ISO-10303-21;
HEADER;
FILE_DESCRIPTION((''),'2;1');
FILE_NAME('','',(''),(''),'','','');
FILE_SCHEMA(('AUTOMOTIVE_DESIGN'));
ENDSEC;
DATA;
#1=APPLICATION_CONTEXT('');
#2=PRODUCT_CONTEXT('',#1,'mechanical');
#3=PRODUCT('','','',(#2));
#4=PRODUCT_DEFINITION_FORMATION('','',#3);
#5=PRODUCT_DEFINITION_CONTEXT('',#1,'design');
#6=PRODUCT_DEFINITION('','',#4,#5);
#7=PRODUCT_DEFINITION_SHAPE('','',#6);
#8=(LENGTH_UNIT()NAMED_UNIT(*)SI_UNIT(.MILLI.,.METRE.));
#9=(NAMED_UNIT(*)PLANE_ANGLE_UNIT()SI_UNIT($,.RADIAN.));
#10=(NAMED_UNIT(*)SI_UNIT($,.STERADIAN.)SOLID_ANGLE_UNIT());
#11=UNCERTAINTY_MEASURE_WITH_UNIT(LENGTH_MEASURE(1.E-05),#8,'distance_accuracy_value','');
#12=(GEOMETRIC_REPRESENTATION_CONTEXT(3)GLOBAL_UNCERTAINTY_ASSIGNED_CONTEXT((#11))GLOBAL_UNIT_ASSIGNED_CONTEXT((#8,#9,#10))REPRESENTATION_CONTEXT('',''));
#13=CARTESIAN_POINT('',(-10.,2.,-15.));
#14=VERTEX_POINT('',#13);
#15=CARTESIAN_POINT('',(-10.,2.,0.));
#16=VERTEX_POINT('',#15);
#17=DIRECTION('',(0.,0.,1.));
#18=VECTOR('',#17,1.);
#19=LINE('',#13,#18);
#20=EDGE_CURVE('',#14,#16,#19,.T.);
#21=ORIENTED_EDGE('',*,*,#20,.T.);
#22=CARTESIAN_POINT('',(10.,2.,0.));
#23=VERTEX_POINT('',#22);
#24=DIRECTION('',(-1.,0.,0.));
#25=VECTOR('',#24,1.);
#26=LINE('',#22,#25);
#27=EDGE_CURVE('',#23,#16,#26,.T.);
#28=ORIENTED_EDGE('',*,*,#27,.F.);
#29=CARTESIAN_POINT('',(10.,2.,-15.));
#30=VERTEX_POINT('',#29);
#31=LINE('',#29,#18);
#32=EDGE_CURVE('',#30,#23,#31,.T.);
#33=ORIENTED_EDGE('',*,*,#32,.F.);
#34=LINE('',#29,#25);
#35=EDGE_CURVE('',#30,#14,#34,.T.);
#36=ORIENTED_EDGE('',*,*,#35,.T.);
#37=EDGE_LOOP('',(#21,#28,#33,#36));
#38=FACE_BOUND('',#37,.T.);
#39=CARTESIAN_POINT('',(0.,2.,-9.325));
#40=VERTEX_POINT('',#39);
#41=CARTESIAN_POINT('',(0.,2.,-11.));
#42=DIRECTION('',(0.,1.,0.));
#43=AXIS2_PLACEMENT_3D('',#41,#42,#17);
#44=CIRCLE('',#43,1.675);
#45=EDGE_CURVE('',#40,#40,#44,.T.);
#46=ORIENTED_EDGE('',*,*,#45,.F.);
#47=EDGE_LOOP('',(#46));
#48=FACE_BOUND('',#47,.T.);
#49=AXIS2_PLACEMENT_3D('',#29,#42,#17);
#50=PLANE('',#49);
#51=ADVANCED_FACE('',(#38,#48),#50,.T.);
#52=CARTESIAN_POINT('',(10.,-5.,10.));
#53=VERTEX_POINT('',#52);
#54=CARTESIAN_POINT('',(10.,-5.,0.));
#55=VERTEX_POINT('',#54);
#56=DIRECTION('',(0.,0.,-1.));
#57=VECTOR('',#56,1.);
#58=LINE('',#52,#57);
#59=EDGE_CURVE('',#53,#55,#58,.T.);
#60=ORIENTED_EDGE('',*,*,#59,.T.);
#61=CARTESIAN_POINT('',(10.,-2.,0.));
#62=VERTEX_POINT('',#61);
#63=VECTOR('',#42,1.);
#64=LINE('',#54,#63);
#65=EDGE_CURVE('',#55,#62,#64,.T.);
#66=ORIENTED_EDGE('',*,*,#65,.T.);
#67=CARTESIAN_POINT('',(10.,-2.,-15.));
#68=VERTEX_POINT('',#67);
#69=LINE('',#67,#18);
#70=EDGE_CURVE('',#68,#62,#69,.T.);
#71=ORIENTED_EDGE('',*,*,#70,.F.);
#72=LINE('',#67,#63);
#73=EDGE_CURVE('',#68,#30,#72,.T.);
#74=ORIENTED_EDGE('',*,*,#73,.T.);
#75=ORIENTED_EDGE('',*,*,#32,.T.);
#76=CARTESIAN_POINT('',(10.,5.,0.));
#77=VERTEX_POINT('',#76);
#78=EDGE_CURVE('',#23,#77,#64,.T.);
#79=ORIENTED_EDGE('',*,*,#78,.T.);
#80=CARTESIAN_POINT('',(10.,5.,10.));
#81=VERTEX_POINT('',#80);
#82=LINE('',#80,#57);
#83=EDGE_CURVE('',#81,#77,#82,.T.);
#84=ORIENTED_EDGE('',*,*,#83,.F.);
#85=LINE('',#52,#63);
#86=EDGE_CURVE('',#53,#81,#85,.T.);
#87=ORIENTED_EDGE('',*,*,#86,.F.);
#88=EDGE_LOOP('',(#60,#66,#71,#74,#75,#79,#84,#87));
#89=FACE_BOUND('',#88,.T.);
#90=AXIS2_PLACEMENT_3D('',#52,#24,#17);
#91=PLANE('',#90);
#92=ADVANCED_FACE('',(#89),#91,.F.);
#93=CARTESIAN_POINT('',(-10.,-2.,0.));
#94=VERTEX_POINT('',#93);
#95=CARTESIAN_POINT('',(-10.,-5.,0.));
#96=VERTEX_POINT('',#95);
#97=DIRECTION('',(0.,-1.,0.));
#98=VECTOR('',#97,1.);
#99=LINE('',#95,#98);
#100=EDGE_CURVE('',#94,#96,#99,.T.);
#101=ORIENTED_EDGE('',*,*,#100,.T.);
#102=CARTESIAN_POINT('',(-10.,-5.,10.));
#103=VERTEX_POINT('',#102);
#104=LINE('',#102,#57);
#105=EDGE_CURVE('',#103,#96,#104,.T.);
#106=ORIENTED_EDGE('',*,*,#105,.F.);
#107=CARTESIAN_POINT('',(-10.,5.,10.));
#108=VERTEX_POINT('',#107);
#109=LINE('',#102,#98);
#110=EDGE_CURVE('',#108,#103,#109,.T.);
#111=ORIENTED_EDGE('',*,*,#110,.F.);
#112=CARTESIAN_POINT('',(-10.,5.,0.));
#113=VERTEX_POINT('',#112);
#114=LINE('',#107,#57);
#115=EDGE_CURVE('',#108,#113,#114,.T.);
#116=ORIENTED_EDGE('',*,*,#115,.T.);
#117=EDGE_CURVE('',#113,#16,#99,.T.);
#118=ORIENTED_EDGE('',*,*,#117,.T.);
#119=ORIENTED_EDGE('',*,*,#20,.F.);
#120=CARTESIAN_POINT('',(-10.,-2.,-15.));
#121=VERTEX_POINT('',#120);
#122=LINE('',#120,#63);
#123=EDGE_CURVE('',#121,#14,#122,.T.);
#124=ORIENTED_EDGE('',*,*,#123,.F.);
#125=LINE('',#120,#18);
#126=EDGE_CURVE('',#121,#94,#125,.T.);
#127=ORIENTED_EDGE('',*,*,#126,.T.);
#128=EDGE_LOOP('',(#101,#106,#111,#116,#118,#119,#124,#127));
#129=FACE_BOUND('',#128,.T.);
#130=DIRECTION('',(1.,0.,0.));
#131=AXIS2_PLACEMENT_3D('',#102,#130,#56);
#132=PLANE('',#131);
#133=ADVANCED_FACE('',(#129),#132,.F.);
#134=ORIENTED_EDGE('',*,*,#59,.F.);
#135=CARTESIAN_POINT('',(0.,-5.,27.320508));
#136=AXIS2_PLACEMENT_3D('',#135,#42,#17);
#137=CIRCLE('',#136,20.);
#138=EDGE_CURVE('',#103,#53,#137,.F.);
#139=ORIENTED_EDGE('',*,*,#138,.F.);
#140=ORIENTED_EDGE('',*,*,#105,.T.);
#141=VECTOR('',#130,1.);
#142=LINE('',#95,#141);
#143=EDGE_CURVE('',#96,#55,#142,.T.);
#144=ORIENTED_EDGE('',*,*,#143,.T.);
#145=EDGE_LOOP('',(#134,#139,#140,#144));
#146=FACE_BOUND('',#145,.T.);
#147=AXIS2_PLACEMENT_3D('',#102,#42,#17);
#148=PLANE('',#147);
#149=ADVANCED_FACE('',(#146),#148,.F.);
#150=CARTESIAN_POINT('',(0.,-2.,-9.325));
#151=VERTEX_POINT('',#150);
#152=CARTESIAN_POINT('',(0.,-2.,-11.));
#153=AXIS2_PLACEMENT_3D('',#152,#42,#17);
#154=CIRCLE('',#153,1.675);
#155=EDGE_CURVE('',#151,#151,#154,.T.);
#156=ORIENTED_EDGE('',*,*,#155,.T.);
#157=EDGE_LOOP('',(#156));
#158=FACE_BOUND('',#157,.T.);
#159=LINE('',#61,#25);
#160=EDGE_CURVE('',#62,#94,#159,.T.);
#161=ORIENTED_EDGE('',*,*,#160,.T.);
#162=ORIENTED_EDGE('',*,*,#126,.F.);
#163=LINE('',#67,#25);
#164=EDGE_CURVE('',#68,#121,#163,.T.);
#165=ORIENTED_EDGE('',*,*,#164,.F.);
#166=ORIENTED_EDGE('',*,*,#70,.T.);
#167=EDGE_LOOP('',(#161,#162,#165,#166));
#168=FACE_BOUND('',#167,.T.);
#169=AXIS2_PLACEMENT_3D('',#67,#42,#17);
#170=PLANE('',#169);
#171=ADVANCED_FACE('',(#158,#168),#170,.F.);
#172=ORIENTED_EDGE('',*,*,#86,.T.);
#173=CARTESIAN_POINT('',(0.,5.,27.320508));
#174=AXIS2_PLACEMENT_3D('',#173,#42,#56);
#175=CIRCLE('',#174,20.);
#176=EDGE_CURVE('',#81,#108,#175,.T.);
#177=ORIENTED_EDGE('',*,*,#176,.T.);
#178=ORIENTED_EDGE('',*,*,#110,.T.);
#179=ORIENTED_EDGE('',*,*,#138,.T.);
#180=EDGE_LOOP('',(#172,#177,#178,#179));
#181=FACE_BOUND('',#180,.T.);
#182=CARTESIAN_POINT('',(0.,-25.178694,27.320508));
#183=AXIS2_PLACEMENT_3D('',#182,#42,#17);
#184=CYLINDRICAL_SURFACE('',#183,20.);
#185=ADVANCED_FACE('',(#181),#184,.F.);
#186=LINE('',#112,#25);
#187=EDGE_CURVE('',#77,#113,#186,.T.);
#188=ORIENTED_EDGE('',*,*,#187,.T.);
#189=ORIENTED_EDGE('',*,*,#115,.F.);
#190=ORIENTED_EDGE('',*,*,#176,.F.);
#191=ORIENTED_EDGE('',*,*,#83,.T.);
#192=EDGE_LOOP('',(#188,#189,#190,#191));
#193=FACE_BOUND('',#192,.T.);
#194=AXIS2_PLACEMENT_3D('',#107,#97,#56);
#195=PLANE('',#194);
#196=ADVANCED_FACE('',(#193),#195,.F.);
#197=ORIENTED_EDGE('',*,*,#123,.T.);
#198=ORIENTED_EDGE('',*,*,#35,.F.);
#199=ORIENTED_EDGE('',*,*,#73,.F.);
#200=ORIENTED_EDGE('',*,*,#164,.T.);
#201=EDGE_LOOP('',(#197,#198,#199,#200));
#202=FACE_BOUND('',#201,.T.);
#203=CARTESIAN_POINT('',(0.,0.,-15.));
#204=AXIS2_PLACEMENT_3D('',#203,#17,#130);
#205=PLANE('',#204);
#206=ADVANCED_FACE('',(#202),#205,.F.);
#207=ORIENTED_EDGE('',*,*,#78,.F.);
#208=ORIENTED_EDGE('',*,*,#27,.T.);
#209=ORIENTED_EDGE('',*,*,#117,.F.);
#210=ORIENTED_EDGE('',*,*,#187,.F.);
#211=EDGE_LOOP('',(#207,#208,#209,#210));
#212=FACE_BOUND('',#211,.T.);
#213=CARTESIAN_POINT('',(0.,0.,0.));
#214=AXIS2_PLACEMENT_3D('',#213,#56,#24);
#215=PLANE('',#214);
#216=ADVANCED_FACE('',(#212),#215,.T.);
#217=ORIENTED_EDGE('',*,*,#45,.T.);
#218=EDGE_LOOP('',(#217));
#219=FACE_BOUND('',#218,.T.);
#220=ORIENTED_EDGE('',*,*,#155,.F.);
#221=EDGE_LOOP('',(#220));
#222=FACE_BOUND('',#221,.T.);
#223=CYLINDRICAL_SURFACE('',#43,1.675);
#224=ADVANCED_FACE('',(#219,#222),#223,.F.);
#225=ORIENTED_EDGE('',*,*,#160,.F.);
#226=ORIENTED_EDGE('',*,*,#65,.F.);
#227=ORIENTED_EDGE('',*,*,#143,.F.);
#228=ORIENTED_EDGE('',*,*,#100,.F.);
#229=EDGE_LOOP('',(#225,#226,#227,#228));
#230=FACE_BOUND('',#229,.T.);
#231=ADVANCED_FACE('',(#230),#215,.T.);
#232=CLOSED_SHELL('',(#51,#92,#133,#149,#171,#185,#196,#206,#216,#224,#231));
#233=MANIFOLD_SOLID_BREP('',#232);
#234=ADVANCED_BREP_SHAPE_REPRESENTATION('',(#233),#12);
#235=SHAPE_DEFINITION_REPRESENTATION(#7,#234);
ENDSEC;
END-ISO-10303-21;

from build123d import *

# Parameters (mm, degrees)
SKETCH1_W                       = 20
SKETCH1_H                       = 10
BOSS_EXTRUDE1_DEPTH             = 10
CUT_EXTRUDE1_DEPTH              = 10
SKETCH3_W                       = 20
SKETCH3_H                       = 4
BOSS_EXTRUDE2_DEPTH             = 15
TAP_DRILL_FOR_M3X0_5_TAP6_D     = 3.35
TAP_DRILL_FOR_M3X0_5_TAP6_DEPTH = 4


with BuildPart() as part:
    # Sketch1 → Boss-Extrude1 (new body)
    with BuildSketch(Plane.XY):
        Rectangle(SKETCH1_W, SKETCH1_H)
    extrude(amount=BOSS_EXTRUDE1_DEPTH)

    # Sketch2 → Cut-Extrude1 (cut)
    with BuildSketch(Plane(origin=(0, 5, 0), x_dir=(1, 0, 0), z_dir=(0, 1, 0))):
        with BuildLine():
            Line((-10, -10), (10, -10))
            ThreePointArc((10, -10), (0, -7.320508076), (-10, -10))
        make_face()
    extrude(amount=-CUT_EXTRUDE1_DEPTH, mode=Mode.SUBTRACT)

    # Sketch3 → Boss-Extrude2 (add)
    with BuildSketch(Plane(origin=(0, 0, 0), x_dir=(-1, 0, 0), z_dir=(0, 0, -1))):
        Rectangle(SKETCH3_W, SKETCH3_H)
    extrude(amount=BOSS_EXTRUDE2_DEPTH)

    # Tap Drill for M3x0.5 Tap6
    with Locations(Plane(origin=(0, 2, 0), x_dir=(1, 0, 0), z_dir=(0, 1, 0))):
        with Locations((0, 11)):
            Hole(TAP_DRILL_FOR_M3X0_5_TAP6_D / 2, depth=TAP_DRILL_FOR_M3X0_5_TAP6_DEPTH)


solid = part.part
